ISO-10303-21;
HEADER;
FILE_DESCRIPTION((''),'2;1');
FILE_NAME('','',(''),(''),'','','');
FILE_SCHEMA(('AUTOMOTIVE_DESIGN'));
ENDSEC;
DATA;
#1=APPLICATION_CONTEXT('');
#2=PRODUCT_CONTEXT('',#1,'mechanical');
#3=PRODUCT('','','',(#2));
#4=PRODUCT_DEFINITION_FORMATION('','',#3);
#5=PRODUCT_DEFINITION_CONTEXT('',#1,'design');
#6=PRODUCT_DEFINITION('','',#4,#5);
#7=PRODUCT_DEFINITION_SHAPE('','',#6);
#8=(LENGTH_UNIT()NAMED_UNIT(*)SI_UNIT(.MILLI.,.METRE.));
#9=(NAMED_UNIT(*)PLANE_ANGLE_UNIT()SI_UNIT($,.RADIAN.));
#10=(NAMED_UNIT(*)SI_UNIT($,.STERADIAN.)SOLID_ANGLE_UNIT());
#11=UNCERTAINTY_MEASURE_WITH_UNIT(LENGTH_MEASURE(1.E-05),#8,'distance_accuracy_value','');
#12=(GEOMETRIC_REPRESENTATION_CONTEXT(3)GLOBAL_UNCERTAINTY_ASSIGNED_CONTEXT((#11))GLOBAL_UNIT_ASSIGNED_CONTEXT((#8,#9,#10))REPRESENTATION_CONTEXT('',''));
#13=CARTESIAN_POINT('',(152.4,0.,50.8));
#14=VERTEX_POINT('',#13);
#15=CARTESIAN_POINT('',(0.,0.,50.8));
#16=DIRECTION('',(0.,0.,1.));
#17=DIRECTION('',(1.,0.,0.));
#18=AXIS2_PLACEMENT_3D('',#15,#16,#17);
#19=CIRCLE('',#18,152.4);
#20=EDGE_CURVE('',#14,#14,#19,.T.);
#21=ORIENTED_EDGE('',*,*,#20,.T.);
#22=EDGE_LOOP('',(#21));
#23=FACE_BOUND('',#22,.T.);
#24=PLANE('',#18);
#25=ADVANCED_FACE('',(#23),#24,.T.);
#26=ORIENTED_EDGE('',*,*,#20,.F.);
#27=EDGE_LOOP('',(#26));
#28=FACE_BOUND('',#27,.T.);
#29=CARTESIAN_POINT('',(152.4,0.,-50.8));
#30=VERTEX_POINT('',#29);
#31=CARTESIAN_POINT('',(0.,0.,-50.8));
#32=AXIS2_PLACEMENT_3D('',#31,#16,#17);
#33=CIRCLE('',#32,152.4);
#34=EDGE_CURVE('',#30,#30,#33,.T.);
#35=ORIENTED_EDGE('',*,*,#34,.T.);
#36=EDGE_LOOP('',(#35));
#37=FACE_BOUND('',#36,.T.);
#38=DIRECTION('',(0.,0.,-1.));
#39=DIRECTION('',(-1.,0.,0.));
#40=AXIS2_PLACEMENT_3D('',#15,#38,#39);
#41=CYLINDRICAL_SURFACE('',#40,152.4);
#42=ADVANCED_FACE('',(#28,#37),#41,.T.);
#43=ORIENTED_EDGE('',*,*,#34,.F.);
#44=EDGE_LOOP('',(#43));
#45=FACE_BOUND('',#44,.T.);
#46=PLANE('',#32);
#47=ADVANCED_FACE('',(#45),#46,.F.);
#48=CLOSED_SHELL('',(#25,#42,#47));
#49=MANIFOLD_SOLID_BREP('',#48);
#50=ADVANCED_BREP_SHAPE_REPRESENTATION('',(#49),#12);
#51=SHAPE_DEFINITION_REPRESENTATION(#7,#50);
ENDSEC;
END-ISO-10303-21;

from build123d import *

# Parameters (mm, degrees)
WHEEL_CROSS_SECTION_R = 152.4
DRIVE_WHEEL_DEPTH     = 50.8


with BuildPart() as part:
    # Wheel Cross Section → Drive Wheel (new body, symmetric)
    with BuildSketch(Plane.XY):
        Circle(WHEEL_CROSS_SECTION_R)
    extrude(amount=DRIVE_WHEEL_DEPTH, both=True)


solid = part.part
